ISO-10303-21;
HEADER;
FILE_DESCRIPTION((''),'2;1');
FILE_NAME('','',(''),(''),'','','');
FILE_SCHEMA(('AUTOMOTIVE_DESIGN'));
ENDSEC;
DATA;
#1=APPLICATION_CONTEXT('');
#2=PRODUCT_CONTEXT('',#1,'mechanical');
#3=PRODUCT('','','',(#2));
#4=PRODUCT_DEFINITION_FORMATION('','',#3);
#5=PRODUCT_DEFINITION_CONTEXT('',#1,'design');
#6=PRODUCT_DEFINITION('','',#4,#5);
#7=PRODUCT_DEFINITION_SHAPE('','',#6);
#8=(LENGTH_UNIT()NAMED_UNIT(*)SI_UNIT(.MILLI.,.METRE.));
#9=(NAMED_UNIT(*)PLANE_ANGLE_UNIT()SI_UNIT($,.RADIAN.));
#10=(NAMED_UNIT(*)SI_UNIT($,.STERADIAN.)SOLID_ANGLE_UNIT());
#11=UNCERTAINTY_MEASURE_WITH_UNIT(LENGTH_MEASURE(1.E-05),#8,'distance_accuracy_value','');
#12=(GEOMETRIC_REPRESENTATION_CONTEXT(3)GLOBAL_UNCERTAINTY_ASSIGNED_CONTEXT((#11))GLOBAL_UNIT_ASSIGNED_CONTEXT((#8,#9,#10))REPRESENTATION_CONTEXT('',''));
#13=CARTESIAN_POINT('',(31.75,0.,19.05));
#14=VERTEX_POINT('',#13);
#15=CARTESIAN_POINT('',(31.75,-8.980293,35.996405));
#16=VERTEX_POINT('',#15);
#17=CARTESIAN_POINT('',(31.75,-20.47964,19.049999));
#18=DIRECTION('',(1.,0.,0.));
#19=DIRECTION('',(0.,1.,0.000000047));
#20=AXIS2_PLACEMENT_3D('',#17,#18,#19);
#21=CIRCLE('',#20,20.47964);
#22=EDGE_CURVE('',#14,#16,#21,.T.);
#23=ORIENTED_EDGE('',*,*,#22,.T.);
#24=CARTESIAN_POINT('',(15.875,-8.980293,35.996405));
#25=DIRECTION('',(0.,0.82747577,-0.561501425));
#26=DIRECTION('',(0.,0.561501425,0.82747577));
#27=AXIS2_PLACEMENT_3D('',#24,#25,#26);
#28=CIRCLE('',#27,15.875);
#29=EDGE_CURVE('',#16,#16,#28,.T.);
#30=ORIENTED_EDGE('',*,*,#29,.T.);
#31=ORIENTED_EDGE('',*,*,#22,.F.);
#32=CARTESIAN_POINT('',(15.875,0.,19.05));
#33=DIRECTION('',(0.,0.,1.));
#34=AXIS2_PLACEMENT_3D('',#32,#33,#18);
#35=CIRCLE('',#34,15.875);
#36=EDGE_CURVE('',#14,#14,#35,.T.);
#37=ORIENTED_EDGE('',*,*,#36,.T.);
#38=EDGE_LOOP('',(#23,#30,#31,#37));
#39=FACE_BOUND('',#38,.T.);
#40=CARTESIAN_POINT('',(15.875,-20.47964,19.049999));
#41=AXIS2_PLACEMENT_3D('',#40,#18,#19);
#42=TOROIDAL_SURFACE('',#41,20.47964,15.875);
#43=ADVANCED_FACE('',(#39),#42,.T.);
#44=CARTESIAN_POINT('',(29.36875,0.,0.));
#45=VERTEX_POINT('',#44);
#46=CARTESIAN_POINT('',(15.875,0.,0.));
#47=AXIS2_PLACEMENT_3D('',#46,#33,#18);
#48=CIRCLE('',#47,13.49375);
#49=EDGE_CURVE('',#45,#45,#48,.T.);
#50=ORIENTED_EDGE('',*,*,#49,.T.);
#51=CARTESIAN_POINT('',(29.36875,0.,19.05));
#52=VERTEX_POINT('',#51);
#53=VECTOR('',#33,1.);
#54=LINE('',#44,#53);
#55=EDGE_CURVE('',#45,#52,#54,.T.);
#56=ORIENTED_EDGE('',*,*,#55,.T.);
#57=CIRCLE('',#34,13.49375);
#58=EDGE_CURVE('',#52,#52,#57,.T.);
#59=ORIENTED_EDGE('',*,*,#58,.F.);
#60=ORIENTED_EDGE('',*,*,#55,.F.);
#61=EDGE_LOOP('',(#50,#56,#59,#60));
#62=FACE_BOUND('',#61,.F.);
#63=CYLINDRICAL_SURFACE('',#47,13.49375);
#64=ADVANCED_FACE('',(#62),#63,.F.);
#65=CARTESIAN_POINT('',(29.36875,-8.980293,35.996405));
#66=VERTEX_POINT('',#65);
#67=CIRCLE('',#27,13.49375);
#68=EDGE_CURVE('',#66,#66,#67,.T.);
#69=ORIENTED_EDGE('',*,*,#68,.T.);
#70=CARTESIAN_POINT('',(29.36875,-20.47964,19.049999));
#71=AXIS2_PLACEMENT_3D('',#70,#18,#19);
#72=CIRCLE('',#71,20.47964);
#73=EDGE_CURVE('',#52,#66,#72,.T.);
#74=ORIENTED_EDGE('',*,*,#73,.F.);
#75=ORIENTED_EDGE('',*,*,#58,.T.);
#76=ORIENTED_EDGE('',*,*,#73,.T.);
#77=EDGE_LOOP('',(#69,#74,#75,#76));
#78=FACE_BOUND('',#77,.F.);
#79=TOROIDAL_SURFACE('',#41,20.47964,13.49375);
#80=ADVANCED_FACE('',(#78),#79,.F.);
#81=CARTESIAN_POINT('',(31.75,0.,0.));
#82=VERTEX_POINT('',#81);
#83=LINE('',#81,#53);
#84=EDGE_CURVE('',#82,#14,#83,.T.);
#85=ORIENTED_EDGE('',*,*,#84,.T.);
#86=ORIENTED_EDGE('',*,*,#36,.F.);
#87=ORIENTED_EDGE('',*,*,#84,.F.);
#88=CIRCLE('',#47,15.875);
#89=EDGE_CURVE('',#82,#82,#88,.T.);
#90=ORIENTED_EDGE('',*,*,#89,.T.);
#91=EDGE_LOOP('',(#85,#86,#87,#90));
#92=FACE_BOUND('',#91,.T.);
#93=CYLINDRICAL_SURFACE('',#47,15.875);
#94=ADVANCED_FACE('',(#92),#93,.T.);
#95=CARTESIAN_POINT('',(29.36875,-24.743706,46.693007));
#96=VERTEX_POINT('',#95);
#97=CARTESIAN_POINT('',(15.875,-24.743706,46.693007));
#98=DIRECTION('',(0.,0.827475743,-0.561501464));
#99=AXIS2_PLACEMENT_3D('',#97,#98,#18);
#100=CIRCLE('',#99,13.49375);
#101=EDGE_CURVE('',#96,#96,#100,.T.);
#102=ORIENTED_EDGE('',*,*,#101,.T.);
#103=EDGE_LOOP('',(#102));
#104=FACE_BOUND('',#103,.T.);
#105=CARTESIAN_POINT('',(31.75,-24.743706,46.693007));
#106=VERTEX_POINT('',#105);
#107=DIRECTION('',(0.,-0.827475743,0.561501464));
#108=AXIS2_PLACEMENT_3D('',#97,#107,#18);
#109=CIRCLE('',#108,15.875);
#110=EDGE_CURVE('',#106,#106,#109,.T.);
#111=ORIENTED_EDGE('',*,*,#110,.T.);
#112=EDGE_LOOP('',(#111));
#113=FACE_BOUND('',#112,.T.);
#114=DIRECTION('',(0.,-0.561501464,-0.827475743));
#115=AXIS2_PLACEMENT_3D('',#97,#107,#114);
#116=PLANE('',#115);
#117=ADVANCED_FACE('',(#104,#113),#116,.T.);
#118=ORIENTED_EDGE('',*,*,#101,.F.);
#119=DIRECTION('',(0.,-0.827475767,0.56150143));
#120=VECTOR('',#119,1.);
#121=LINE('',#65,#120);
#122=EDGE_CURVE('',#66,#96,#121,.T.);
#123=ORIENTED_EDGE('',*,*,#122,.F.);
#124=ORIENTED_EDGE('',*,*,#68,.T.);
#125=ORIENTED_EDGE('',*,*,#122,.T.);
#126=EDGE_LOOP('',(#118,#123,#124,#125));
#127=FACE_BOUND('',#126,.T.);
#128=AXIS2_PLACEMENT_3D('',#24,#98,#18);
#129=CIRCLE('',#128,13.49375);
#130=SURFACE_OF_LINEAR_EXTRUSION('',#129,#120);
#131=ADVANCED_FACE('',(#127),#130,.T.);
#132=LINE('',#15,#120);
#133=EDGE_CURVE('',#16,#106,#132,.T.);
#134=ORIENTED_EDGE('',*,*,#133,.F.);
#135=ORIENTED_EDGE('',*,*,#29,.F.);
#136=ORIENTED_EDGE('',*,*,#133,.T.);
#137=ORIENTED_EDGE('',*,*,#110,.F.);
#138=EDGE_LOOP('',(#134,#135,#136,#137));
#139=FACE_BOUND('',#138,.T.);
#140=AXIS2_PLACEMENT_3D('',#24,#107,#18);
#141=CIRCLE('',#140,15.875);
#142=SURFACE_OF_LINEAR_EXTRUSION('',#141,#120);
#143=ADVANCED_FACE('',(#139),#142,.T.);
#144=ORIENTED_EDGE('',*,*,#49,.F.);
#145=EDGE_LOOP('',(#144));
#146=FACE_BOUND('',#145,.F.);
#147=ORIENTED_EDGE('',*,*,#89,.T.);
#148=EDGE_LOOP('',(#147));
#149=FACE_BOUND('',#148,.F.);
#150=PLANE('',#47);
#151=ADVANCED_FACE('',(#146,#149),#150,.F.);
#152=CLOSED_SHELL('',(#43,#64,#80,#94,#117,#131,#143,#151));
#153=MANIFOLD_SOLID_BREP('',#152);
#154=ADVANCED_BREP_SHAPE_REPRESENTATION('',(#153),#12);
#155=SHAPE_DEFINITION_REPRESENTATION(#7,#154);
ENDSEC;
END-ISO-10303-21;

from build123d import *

# Parameters (mm, degrees)
F0_R   = 15.875
F0_R_2 = 13.49375


with BuildPart() as f2:
    # F2: sweep along a path in F1
    with BuildLine(Plane.YZ) as f2_path:
        Line((0, 0), (0, 19.05))
        ThreePointArc((0, 19.05), (-2.38381, 28.639399), (-8.980293, 35.996405))
        Line((-8.980293, 35.996405), (-24.743706, 46.693007))
    # F0 (on Top) → F2 (sweep)
    with BuildSketch(Plane.XY):
        with Locations((15.875, 0)):
            Circle(F0_R)
        with Locations((15.875, 0)):
            Circle(F0_R_2, mode=Mode.SUBTRACT)
    sweep(path=f2_path.line)


solid = f2.part
